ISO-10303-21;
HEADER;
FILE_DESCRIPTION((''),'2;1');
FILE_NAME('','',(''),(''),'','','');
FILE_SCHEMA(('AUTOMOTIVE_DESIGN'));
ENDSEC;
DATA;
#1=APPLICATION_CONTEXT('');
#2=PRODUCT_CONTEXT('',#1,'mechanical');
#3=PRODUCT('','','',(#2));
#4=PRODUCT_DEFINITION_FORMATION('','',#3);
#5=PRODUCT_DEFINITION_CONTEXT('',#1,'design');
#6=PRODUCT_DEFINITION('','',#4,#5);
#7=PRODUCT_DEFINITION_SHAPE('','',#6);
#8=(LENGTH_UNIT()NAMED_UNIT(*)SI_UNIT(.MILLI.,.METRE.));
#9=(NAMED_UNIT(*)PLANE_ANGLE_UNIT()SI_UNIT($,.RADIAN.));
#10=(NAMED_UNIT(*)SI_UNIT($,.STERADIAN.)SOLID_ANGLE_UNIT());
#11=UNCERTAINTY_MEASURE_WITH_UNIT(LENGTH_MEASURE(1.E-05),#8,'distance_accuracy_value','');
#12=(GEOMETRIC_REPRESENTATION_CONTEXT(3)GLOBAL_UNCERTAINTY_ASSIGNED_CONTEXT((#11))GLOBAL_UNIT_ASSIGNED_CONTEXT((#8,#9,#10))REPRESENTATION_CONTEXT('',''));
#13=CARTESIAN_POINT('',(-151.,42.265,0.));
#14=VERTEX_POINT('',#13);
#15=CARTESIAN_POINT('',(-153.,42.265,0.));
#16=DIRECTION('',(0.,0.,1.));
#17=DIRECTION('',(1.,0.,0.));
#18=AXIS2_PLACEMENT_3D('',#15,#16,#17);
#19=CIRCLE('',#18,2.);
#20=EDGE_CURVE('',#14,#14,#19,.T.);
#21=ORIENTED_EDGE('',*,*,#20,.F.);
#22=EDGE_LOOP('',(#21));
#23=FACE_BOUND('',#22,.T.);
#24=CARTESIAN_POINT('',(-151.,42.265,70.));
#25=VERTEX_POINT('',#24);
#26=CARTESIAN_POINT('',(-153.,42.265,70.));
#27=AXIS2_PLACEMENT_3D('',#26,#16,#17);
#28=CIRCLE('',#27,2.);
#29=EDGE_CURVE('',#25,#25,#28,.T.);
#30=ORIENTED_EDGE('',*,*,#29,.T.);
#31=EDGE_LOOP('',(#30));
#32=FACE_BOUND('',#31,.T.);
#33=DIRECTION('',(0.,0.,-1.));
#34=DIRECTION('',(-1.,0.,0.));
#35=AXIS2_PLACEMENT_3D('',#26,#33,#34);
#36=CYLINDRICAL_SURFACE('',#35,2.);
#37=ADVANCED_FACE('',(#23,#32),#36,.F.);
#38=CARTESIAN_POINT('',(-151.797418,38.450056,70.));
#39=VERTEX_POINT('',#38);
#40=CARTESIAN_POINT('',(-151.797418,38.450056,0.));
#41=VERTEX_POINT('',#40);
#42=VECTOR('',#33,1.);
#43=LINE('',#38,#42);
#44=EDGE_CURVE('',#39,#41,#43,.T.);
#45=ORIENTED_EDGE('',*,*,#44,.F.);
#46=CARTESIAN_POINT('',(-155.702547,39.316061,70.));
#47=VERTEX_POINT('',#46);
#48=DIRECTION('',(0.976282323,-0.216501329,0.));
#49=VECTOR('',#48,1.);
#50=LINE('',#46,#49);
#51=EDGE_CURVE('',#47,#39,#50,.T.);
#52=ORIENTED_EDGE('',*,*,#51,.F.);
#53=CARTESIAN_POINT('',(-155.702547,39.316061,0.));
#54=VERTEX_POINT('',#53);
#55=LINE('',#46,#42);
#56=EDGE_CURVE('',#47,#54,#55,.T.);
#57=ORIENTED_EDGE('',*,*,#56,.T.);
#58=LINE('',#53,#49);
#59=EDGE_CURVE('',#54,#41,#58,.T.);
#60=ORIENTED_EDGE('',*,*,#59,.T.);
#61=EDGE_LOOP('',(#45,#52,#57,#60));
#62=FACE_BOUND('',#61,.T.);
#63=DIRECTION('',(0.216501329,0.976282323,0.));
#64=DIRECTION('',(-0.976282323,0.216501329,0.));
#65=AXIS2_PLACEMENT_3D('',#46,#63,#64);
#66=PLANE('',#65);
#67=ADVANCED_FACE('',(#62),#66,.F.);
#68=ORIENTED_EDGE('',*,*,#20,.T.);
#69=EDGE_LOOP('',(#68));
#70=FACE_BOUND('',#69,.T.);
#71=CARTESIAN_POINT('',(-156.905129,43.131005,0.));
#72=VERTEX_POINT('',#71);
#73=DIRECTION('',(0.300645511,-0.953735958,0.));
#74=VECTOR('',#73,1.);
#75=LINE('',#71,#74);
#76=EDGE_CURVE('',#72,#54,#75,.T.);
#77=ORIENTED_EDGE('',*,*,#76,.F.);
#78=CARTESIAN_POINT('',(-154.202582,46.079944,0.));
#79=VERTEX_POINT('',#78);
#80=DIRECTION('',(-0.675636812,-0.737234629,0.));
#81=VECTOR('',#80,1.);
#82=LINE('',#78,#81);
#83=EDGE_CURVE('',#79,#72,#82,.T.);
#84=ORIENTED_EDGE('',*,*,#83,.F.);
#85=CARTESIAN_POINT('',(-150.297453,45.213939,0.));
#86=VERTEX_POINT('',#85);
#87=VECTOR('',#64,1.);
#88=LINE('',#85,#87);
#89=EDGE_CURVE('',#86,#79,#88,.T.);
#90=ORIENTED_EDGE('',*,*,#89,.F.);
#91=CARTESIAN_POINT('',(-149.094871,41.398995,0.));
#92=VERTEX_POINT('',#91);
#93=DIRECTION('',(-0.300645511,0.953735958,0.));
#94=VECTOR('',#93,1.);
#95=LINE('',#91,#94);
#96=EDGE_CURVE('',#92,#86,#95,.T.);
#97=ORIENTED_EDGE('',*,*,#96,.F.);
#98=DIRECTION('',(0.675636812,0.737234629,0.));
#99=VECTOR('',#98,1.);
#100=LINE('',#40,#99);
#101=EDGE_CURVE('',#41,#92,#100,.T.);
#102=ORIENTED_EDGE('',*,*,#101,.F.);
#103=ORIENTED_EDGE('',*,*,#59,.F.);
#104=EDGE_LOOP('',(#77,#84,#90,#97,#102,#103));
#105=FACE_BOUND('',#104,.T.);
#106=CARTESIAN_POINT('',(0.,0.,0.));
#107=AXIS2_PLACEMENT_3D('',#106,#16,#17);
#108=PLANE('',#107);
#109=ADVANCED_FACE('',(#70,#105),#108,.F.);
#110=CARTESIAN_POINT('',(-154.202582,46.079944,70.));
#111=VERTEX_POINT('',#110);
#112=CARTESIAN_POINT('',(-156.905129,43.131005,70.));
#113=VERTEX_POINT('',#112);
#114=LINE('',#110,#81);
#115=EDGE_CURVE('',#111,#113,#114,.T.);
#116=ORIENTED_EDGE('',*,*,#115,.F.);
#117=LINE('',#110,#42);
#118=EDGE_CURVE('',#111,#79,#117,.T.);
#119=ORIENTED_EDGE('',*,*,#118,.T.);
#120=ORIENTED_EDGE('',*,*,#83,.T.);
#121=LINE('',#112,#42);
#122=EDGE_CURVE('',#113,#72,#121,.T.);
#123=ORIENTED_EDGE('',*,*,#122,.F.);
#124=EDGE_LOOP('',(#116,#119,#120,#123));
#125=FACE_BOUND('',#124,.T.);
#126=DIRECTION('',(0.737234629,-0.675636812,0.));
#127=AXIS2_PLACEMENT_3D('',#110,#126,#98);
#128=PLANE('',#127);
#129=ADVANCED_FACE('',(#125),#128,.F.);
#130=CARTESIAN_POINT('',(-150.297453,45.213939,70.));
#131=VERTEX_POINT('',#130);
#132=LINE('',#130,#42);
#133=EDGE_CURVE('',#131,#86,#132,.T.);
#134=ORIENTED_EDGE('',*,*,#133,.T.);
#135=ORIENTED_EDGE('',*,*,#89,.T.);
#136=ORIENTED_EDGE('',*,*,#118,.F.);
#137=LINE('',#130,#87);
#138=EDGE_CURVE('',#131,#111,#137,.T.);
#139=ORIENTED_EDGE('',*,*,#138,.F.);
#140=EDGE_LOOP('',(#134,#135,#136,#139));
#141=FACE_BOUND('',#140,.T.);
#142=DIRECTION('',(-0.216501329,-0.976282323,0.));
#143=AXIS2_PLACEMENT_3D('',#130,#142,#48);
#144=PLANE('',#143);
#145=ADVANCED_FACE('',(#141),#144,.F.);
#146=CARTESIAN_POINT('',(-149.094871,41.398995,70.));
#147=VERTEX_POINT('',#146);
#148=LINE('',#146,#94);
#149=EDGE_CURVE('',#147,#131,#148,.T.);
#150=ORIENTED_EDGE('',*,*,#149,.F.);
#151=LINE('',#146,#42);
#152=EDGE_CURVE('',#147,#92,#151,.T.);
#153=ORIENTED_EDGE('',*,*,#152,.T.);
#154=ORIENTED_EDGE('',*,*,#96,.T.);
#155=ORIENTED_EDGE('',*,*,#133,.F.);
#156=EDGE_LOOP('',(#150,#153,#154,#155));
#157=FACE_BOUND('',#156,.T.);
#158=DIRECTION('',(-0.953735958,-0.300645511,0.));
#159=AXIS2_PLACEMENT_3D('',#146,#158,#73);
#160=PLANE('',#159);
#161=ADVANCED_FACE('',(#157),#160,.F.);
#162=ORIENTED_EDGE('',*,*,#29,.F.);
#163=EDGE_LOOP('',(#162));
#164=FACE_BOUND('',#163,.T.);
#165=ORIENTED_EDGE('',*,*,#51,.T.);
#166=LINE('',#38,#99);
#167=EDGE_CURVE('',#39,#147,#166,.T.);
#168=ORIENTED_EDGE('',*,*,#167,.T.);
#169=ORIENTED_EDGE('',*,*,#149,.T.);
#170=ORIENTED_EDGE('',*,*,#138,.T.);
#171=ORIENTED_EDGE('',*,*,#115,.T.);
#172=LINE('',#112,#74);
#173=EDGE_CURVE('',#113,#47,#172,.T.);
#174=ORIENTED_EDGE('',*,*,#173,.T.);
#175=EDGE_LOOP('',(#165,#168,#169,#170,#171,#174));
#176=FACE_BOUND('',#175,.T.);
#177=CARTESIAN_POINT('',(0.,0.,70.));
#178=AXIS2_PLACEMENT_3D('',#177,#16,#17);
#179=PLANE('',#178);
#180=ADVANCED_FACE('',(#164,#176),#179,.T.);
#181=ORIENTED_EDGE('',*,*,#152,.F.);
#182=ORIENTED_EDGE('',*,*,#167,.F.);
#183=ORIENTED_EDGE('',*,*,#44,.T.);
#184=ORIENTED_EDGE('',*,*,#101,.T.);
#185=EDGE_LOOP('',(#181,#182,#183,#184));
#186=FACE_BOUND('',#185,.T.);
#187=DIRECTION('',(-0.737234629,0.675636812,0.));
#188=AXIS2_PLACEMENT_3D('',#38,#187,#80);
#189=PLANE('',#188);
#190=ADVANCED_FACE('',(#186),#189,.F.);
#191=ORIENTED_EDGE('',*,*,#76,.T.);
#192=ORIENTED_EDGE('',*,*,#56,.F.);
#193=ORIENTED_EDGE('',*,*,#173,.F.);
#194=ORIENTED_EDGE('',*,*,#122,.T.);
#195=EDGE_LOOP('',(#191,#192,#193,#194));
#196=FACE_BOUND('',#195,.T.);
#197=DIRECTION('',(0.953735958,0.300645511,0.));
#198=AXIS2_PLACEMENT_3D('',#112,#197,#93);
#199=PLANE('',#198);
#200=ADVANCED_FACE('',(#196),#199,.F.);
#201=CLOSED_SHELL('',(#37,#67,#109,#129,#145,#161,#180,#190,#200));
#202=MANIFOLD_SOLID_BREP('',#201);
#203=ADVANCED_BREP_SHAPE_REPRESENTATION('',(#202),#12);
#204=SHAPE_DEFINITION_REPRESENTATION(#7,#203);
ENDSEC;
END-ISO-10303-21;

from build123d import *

# Parameters (mm, degrees)
SKETCH_1_R      = 2
EXTRUDE_1_DEPTH = 70


with BuildPart() as part:
    # 草图1 → 凸台-拉伸1 (new body)
    with BuildSketch(Plane.XY):
        Polygon((-154.202582042, 46.07994383), (-156.905129291, 43.131005315), (-155.702547246, 39.316061485), (-151.797417954, 38.45005617), (-149.094870705, 41.398994685), (-150.297452749, 45.213938515), align=None)
        with Locations((-152.999999998, 42.265)):
            Circle(SKETCH_1_R, mode=Mode.SUBTRACT)
    extrude(amount=EXTRUDE_1_DEPTH)


solid = part.part
